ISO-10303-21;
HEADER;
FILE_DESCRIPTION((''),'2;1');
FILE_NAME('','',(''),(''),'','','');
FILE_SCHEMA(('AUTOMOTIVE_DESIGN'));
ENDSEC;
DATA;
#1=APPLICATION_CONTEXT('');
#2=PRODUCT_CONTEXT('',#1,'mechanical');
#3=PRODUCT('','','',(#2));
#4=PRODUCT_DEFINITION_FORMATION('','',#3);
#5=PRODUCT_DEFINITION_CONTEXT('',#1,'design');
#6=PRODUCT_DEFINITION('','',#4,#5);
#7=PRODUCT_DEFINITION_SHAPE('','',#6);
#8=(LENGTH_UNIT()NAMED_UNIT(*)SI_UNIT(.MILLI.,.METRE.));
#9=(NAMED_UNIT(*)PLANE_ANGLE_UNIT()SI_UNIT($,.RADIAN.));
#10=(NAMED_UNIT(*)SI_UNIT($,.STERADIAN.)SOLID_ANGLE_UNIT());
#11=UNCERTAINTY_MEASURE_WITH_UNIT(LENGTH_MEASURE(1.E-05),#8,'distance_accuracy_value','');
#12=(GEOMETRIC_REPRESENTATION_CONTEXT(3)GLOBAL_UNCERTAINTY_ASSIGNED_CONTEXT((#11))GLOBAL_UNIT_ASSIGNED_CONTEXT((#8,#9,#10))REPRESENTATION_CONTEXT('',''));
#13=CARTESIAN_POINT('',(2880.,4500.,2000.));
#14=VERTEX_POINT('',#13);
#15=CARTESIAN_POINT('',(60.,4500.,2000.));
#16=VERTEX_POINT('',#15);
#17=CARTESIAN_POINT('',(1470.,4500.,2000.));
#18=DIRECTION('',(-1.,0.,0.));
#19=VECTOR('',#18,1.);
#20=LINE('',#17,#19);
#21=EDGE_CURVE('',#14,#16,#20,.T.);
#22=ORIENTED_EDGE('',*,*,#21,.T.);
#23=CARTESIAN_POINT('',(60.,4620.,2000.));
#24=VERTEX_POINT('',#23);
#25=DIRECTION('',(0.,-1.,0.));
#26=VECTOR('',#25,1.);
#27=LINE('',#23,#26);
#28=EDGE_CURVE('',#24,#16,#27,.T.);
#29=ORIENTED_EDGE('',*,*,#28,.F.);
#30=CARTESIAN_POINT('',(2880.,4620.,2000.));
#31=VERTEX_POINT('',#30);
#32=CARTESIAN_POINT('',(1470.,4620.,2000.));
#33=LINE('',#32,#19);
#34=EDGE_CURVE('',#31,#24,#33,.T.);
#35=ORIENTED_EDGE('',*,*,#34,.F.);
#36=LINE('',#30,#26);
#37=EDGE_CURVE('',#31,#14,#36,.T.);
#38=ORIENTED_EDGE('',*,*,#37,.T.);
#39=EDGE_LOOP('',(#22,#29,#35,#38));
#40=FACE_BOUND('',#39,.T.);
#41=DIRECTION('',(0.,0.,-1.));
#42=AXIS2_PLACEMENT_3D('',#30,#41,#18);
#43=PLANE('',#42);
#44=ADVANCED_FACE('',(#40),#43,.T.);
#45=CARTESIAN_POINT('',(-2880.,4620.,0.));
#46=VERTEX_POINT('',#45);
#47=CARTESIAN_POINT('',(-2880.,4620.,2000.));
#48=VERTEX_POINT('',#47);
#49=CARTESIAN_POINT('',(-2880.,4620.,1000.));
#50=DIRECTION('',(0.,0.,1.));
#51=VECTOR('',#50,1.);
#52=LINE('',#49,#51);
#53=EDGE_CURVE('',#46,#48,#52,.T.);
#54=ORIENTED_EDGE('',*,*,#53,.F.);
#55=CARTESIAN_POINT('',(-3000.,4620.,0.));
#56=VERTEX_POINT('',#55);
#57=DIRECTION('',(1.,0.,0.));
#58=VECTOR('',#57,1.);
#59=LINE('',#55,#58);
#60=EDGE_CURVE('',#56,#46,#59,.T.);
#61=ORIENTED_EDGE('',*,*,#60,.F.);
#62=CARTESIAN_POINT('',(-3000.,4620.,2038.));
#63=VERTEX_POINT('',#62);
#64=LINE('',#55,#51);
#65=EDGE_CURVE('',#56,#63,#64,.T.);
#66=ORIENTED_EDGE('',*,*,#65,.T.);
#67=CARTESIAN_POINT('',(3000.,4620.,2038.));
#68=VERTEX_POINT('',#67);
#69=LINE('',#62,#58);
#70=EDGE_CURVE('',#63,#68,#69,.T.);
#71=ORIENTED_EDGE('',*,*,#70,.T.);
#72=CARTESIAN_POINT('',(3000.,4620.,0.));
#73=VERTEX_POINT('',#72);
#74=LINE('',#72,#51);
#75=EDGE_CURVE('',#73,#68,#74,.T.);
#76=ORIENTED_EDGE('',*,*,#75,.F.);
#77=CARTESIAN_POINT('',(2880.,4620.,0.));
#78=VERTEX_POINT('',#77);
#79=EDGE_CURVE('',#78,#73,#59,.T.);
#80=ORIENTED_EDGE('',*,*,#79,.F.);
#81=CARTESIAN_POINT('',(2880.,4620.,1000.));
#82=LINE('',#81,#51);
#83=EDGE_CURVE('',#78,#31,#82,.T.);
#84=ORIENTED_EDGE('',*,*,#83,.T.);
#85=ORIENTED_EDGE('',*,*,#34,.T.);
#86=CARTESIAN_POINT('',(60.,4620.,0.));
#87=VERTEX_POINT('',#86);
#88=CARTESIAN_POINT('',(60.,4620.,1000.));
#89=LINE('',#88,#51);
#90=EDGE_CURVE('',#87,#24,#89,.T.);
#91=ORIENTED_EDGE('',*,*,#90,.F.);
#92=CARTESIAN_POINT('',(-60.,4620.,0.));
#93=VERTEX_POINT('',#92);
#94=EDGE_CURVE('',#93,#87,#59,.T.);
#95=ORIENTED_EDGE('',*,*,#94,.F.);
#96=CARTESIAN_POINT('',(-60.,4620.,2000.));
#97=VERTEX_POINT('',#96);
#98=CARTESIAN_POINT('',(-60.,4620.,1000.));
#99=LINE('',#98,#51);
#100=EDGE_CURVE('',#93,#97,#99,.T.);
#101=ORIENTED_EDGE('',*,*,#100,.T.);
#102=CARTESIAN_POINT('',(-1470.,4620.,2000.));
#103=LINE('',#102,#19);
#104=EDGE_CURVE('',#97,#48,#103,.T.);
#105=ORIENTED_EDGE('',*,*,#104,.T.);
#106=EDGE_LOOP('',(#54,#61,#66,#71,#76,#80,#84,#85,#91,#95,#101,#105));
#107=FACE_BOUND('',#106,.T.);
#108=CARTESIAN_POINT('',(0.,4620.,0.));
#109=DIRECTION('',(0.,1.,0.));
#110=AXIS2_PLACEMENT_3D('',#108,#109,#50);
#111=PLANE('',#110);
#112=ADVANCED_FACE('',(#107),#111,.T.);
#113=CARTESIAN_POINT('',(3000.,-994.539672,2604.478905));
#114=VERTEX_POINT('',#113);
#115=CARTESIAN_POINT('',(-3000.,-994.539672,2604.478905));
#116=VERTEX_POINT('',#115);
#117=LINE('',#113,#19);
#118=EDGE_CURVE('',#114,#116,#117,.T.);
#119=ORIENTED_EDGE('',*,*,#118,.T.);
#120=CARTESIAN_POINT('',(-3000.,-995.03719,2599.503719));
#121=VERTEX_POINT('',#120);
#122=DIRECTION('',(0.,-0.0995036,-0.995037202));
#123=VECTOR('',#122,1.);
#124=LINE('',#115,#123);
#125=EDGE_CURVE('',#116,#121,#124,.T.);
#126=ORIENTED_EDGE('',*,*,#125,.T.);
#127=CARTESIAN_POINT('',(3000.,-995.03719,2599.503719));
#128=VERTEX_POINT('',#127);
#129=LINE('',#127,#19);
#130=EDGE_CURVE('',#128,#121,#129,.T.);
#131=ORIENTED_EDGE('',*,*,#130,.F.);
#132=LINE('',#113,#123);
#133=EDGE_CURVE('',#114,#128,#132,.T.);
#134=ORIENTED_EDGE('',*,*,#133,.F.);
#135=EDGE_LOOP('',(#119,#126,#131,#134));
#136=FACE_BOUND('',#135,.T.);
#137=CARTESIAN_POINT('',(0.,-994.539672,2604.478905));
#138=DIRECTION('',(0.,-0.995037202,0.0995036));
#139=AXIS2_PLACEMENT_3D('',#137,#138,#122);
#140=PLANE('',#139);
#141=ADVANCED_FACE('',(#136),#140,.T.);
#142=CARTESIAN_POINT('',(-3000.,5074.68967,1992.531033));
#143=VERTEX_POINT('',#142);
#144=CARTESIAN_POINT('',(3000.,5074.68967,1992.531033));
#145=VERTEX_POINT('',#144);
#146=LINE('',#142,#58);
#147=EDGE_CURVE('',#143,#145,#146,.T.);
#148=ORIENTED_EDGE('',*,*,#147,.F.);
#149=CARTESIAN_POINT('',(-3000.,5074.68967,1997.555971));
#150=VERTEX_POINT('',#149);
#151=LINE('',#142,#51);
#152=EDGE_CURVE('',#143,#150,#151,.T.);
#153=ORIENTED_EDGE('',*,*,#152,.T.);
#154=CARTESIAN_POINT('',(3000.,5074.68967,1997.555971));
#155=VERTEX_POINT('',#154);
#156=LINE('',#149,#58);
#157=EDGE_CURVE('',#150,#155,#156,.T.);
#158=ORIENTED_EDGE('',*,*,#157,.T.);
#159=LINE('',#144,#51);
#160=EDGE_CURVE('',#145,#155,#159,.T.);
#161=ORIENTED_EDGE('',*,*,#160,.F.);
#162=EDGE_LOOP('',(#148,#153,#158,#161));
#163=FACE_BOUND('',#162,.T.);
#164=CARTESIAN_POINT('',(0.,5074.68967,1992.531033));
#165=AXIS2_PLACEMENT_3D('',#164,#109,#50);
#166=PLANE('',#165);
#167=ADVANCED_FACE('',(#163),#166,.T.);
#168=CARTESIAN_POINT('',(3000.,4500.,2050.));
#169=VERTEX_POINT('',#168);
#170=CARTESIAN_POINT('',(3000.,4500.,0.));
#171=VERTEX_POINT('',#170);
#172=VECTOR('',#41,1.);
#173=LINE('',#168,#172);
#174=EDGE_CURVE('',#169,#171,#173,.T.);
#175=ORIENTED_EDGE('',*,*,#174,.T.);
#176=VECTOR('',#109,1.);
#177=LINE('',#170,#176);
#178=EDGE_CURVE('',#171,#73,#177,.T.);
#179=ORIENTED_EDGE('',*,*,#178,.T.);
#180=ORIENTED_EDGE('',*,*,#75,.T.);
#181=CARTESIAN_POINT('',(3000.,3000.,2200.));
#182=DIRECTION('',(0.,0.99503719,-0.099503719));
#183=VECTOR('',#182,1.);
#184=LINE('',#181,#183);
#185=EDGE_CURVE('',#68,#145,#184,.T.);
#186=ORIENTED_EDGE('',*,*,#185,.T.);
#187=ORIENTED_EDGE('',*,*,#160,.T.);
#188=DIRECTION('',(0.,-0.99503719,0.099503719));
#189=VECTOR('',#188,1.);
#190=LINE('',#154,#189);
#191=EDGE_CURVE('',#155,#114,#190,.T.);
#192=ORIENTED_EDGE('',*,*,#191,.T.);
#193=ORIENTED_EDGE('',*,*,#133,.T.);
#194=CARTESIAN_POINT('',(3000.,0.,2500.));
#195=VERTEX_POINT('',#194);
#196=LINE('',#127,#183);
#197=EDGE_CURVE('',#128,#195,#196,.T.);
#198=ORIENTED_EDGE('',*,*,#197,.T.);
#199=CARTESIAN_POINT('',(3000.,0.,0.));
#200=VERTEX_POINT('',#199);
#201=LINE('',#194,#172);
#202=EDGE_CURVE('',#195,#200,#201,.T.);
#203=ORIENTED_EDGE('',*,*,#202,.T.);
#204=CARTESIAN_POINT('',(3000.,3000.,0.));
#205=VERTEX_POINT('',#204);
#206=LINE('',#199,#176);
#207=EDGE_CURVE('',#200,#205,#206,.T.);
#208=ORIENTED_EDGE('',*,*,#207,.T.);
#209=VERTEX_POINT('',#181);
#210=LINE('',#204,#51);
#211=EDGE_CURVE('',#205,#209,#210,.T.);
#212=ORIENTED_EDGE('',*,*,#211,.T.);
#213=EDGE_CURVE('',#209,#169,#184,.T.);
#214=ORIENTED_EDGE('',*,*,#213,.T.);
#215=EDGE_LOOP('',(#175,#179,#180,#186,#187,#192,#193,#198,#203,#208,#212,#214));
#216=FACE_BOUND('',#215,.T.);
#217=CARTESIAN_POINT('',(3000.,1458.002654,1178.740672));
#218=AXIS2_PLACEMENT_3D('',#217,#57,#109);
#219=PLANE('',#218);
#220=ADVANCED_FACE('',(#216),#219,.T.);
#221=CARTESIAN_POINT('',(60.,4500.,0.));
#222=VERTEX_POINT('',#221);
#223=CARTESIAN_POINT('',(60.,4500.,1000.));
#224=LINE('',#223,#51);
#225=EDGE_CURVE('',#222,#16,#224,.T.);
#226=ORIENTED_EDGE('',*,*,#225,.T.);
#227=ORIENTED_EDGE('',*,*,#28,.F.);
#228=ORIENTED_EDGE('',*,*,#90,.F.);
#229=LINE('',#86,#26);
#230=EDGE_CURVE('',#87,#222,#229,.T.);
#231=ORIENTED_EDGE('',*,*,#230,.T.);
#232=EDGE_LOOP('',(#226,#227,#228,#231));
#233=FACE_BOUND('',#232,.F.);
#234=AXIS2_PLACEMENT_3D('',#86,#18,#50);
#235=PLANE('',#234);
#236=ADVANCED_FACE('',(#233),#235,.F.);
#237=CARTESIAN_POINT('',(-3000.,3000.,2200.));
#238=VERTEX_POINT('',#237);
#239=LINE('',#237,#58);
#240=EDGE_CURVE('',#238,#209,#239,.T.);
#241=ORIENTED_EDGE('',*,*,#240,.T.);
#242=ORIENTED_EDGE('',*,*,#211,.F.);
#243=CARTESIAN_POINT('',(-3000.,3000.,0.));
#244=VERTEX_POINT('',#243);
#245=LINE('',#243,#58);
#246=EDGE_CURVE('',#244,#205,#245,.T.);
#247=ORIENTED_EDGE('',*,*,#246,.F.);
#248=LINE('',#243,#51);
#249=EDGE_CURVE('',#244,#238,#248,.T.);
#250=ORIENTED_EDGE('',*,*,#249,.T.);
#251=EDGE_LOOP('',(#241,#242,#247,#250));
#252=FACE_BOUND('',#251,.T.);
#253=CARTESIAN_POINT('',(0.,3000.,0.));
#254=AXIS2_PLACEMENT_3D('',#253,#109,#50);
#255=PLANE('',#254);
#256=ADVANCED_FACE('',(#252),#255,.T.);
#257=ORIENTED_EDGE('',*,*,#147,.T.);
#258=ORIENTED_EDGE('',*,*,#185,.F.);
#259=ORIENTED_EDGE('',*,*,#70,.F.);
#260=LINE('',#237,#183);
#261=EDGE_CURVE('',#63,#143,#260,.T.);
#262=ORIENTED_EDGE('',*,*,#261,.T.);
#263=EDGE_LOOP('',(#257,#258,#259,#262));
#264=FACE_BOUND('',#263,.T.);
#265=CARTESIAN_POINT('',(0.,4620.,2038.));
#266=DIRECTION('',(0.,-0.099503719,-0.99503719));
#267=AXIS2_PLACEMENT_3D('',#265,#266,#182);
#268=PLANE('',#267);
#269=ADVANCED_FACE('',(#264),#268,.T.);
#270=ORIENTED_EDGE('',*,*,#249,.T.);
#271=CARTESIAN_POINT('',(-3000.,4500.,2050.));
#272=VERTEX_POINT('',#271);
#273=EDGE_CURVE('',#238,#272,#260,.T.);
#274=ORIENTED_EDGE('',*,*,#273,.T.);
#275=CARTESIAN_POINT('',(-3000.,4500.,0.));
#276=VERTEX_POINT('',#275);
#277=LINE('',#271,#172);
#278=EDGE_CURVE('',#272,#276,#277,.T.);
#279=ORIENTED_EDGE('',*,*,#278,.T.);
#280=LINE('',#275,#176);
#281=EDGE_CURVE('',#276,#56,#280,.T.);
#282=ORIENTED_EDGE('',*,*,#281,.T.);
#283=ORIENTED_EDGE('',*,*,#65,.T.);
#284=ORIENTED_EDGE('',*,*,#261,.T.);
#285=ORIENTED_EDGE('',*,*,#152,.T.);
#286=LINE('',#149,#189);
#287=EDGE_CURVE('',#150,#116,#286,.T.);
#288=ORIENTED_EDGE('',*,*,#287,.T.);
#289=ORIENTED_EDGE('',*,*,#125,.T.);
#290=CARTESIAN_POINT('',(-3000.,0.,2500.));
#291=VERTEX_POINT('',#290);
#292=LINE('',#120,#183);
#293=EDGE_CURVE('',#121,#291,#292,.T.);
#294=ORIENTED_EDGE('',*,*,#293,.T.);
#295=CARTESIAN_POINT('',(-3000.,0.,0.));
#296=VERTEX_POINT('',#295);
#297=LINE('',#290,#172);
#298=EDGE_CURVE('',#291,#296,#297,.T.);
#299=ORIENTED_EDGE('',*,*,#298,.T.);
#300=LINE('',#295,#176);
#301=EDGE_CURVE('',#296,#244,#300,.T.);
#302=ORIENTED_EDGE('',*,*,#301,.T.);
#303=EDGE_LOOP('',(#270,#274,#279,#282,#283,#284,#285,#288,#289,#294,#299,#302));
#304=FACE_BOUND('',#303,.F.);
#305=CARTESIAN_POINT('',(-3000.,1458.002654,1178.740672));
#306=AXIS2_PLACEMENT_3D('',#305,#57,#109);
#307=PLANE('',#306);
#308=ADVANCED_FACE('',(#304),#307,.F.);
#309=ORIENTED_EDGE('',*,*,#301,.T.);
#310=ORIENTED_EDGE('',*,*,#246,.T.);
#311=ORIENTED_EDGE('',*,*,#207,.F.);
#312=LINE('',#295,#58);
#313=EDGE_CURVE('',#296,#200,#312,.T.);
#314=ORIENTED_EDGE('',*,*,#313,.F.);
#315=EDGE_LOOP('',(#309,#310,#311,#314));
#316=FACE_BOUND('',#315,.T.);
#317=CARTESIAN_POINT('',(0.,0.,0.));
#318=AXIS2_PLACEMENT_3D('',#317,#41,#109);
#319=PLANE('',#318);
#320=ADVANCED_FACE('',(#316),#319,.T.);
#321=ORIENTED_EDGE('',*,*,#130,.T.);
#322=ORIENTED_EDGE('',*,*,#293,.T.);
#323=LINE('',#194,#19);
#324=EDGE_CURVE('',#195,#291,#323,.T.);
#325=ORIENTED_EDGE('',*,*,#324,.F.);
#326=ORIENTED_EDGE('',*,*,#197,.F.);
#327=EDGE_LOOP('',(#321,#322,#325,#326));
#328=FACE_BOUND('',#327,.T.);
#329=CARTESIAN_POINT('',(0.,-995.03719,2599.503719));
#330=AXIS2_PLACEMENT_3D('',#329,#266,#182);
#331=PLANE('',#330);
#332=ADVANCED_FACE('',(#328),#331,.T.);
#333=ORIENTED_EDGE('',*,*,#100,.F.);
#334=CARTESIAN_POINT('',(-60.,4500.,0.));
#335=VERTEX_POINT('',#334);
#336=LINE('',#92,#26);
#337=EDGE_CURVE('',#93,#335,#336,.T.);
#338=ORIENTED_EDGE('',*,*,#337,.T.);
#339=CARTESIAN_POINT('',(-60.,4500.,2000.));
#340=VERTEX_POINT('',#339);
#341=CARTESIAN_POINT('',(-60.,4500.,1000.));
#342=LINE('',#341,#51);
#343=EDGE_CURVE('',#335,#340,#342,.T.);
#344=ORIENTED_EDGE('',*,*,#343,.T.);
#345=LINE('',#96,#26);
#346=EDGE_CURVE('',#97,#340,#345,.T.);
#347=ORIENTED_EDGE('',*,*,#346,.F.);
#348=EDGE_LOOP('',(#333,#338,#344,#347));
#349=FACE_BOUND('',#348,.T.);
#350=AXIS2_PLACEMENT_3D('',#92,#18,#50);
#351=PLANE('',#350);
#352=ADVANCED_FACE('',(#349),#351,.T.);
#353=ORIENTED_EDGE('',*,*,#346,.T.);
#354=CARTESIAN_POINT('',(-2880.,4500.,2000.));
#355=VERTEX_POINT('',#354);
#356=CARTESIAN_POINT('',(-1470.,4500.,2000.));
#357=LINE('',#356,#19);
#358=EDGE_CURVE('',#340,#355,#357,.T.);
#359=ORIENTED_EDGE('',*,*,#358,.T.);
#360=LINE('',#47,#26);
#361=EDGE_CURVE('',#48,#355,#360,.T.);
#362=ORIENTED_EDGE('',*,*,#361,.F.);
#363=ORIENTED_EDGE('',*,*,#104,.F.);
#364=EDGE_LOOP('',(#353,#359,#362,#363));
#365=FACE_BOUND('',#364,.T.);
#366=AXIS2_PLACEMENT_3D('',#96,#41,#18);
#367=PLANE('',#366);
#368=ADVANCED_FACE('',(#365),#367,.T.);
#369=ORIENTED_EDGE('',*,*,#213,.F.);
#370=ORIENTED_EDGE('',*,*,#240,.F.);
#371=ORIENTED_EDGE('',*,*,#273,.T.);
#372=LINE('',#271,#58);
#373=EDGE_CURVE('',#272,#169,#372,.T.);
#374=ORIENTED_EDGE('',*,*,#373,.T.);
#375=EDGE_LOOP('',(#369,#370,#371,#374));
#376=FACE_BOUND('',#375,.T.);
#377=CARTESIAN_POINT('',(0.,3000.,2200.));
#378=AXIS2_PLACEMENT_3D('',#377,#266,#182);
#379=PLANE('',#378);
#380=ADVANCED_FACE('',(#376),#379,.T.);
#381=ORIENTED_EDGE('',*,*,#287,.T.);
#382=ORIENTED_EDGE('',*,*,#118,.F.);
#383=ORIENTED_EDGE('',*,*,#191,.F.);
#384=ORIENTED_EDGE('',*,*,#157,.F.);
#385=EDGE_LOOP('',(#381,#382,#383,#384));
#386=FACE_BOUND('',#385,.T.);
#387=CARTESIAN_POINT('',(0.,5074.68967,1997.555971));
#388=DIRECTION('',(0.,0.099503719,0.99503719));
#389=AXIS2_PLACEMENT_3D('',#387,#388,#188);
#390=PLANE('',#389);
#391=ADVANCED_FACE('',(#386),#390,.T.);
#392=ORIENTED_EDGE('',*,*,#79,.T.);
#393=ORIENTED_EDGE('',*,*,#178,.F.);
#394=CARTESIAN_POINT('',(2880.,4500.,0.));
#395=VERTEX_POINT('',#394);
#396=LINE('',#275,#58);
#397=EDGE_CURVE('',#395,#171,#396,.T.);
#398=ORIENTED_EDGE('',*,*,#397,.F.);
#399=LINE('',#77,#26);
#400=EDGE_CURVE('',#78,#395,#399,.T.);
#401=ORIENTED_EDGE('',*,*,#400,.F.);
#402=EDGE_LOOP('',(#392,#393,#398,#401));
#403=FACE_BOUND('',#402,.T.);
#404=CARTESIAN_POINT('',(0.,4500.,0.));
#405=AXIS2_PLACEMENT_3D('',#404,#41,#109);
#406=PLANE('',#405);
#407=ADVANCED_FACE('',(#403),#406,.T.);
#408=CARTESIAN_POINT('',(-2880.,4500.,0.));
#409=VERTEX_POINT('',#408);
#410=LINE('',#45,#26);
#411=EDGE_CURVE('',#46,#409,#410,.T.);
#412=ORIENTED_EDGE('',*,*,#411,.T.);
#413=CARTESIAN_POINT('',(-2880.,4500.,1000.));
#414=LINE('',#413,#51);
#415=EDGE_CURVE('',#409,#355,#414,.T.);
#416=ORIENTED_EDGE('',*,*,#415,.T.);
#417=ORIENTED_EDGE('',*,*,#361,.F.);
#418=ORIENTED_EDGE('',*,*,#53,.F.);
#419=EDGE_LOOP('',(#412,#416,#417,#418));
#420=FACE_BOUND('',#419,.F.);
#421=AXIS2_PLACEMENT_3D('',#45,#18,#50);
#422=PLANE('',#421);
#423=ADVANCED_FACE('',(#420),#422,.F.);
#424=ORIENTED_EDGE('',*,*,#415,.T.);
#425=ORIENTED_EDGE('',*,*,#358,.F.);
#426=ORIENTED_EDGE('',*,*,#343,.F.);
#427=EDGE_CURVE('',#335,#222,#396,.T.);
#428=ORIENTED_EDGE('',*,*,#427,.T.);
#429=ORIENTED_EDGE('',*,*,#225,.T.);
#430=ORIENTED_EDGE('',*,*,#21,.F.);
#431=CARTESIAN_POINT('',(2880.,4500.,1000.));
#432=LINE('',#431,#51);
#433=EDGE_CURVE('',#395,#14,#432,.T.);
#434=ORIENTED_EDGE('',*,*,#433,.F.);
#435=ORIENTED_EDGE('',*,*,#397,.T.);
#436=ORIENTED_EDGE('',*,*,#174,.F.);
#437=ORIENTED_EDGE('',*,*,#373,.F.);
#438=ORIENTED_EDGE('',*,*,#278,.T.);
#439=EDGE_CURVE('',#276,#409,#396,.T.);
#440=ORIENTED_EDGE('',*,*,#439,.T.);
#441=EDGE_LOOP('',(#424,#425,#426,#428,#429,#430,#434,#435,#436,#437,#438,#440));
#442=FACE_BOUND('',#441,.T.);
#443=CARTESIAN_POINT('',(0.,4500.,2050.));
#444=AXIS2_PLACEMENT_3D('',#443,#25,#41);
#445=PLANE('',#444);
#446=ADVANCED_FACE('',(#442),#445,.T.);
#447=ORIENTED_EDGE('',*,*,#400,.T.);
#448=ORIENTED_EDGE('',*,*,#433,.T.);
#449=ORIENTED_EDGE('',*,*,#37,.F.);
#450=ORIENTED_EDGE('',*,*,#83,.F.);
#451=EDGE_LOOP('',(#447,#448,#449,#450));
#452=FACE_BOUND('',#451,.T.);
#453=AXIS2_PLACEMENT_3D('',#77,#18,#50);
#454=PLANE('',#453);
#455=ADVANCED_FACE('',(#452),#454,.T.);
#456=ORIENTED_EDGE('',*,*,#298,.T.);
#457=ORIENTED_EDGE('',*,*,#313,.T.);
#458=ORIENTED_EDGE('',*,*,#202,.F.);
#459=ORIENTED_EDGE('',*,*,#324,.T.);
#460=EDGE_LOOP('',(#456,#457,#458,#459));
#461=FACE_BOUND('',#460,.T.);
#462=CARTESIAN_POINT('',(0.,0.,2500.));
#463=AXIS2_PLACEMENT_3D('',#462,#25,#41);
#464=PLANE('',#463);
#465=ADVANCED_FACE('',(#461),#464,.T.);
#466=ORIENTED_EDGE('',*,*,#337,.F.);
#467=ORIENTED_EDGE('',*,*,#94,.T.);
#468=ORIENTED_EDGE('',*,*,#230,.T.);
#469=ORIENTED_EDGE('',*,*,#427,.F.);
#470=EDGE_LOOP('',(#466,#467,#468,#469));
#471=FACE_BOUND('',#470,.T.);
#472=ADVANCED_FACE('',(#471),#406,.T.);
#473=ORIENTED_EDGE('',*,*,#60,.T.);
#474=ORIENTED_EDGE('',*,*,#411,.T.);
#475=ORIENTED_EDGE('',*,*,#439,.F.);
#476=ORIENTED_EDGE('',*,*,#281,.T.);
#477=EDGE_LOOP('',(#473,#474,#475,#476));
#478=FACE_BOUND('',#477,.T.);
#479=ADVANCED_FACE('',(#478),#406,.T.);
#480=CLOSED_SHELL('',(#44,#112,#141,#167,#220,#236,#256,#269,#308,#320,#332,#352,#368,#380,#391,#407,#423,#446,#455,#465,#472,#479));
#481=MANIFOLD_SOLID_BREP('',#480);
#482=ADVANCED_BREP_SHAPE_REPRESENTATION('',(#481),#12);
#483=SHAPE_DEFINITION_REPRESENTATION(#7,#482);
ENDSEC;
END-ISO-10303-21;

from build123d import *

# Parameters (mm, degrees)
F1_DEPTH = 3000
F2_W     = 2820
F2_H     = 2000
F3_DEPTH = 120


with BuildPart() as f1:
    # F0 (on Right) → F1 (new body, symmetric)
    with BuildSketch(Plane.YZ):
        Polygon((0, 2500), (0, 0), (3000, 0), (3000, 2200), align=None)
        Polygon((-995.03719, 2599.503719), (0, 2500), (3000, 2200), (4500, 2050), (4620, 2038), (5074.68967, 1992.531033), (5074.68967, 1997.555971), (-994.539672, 2604.478905), align=None)
        Polygon((4620, 2038), (4500, 2050), (4500, 0), (4620, 0), align=None)
    extrude(amount=F1_DEPTH, both=True)

    # F2 (on face) → F3 (cut, through all)
    with BuildSketch(Plane(origin=(0, 4620, 0), x_dir=(-1, 0, 0), z_dir=(0, 1, 0))):
        with Locations((-1470, 1000)):
            Rectangle(F2_W, F2_H)
        with Locations((1470, 1000)):
            Rectangle(F2_W, F2_H)
    extrude(amount=-F3_DEPTH, mode=Mode.SUBTRACT)


solid = f1.part
